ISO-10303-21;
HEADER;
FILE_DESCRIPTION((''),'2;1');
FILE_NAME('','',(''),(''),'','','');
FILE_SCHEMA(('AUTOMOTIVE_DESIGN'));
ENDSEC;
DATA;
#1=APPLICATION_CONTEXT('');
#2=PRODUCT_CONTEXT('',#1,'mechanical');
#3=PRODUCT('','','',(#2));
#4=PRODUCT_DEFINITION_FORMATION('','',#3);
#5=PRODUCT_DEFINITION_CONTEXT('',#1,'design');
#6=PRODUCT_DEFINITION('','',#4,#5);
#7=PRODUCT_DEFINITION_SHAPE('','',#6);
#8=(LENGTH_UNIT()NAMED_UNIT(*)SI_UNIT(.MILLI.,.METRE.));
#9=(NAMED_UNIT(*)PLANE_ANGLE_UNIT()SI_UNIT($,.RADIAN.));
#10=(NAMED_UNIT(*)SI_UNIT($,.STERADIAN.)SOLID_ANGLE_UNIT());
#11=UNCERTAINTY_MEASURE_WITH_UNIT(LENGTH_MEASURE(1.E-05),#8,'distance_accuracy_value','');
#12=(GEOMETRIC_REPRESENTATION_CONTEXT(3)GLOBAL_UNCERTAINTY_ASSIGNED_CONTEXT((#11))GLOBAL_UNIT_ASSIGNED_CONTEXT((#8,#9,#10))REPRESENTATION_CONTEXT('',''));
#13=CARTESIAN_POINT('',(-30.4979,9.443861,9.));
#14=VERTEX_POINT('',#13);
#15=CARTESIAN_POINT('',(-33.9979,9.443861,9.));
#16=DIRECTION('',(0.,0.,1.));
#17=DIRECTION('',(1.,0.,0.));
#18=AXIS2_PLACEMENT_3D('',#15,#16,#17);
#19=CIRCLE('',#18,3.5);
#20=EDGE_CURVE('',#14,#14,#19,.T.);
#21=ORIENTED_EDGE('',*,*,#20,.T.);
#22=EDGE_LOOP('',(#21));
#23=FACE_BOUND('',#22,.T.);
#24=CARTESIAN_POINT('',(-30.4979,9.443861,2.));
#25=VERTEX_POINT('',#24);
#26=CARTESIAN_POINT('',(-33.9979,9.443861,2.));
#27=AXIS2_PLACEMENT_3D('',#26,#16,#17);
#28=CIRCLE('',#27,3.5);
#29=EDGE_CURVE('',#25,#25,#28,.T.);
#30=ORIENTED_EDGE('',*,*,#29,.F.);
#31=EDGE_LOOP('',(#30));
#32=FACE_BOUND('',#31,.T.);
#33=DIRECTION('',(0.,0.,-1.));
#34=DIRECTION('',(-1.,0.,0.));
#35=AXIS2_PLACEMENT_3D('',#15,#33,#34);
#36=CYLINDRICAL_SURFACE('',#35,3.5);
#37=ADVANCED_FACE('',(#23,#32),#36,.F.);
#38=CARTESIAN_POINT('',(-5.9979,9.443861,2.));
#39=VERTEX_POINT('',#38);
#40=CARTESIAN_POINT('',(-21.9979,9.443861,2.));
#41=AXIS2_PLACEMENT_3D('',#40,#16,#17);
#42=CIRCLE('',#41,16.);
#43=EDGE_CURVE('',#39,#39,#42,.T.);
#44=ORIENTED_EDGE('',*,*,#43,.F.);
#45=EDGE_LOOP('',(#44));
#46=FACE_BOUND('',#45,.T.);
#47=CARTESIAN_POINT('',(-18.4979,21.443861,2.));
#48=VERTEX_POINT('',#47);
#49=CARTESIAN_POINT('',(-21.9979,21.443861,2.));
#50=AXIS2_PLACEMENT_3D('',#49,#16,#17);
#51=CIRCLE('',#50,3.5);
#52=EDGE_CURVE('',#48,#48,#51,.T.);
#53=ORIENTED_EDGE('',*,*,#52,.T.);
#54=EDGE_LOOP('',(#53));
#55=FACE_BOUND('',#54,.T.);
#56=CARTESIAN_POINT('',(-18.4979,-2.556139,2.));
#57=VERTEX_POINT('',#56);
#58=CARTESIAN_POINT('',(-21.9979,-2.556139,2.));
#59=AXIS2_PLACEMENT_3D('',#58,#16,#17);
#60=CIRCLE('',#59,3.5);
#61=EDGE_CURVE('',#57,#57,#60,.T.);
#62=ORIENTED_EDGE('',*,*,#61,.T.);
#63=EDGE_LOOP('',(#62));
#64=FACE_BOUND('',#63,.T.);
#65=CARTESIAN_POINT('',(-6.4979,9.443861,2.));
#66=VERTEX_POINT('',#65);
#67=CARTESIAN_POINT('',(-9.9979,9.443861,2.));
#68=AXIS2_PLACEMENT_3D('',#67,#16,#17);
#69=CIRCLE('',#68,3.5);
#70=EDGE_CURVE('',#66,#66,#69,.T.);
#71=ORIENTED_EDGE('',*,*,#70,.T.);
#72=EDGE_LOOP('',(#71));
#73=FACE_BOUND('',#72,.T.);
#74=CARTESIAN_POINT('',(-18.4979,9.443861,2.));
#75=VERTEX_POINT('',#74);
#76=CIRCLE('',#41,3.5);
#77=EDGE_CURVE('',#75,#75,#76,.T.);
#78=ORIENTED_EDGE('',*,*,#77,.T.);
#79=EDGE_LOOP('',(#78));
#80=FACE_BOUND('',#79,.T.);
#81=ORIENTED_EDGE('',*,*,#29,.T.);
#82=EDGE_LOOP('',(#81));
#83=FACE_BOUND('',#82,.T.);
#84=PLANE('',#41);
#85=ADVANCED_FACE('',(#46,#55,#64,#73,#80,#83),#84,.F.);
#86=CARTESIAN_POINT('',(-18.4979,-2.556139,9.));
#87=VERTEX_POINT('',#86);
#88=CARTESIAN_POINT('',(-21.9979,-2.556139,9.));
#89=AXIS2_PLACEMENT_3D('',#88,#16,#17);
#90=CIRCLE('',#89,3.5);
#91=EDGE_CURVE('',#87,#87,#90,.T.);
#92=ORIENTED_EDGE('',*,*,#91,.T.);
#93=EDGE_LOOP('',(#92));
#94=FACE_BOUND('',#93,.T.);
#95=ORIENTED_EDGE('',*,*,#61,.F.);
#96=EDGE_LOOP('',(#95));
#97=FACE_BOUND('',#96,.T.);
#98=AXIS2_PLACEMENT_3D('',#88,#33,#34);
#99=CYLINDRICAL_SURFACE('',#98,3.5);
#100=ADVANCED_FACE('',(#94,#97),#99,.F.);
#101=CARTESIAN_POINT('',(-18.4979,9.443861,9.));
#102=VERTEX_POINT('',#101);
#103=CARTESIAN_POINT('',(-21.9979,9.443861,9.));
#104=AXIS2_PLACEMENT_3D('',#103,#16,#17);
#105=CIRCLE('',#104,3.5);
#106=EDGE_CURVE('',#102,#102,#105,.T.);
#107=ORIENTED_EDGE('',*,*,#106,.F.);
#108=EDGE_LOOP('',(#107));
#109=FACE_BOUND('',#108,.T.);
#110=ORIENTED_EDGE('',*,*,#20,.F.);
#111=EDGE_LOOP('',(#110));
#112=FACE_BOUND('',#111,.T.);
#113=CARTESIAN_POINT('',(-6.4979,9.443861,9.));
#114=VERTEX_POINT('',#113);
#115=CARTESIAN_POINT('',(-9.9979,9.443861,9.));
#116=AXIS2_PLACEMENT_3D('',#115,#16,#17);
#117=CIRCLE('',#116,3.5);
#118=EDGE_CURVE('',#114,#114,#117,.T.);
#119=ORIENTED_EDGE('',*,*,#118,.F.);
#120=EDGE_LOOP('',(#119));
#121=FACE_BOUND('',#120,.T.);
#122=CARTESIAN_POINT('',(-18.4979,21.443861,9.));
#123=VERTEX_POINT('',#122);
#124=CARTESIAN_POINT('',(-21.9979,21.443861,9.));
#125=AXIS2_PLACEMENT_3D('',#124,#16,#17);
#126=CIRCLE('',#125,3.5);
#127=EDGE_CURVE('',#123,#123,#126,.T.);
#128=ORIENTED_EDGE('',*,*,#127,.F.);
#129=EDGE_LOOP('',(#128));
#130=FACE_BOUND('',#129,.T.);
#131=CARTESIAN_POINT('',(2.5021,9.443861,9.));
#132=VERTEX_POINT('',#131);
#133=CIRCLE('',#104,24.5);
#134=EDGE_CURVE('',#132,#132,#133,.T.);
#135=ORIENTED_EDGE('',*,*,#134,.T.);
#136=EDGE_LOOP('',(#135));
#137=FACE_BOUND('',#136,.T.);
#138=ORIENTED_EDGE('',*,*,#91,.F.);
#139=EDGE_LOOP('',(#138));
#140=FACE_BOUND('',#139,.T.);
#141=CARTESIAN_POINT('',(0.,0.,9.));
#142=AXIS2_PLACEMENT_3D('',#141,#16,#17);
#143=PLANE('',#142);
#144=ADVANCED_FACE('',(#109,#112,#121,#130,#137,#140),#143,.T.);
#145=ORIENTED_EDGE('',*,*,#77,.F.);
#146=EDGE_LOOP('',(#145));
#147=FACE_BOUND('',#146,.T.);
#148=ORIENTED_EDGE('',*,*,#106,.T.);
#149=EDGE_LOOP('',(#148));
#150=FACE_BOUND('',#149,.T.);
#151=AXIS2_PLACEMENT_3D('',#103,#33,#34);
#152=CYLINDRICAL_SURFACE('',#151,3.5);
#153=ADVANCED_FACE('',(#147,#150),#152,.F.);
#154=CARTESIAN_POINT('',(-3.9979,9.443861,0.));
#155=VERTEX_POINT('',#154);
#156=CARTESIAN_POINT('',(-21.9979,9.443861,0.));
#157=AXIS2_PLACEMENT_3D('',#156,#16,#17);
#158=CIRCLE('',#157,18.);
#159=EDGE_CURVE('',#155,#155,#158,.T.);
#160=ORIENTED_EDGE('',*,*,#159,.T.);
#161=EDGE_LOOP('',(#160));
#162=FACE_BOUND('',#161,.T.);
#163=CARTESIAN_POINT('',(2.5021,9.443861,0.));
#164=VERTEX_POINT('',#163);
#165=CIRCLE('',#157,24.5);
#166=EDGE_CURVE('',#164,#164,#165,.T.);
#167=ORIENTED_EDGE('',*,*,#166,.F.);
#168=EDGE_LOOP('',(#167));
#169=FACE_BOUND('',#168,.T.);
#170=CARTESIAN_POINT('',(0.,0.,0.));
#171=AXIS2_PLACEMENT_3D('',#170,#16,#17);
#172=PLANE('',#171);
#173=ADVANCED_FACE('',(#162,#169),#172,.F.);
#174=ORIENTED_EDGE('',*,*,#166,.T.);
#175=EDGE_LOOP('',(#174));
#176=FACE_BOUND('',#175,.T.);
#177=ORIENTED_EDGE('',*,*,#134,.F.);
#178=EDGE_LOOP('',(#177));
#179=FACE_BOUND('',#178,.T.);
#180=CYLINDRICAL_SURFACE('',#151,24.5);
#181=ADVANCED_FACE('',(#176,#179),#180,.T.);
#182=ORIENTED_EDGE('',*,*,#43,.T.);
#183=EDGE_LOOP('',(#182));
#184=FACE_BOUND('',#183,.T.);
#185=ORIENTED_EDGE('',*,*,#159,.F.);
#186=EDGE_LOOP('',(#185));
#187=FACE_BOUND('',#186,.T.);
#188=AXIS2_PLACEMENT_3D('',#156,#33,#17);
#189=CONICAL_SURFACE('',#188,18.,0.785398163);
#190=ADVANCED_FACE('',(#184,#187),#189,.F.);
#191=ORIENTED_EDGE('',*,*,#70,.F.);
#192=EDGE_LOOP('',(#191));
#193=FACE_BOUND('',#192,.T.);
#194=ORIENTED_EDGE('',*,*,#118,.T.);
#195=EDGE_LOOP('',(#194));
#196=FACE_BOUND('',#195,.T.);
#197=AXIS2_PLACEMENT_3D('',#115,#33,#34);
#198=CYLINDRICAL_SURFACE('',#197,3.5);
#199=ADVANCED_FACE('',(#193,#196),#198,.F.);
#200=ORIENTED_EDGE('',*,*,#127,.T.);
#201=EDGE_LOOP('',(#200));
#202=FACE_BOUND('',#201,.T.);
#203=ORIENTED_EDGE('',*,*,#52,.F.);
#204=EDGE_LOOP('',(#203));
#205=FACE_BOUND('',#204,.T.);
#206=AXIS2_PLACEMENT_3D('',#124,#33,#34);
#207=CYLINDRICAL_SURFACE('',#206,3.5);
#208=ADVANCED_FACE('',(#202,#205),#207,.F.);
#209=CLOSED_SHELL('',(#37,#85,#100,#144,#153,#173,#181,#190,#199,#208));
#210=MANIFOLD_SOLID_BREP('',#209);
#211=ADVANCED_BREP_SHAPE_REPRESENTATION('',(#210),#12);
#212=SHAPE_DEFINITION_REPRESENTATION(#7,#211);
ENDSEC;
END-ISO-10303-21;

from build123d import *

# Parameters (mm, degrees)
ESBO_O1_R                = 24.5
ESBO_O1_R_2              = 18
ESBO_O1_R_3              = 3.5
RESSALTO_EXTRUS_O1_DEPTH = 9
ESBO_O2_R                = 18
CORTE_EXTRUS_O1_DEPTH    = 2
CORTE_EXTRUS_O1_TAPER    = 45


with BuildPart() as part:
    # Esboço1 → Ressalto-extrusão1 (new body)
    # profile 1 of 2: a face of its own
    with BuildSketch(Plane.XY):
        with Locations((-21.997899875, 9.443861076)):
            Circle(ESBO_O1_R)
        with Locations((-21.997899875, 9.443861076)):
            Circle(ESBO_O1_R_2, mode=Mode.SUBTRACT)
    # profile 2 of 2: a face of its own
    with BuildSketch(Plane.XY):
        with Locations((-21.997899875, 9.443861076)):
            Circle(ESBO_O1_R_2)
        with Locations((-33.997899875, 9.443861076)):
            Circle(ESBO_O1_R_3, mode=Mode.SUBTRACT)
        with Locations((-21.997899875, 21.443861076)):
            Circle(ESBO_O1_R_3, mode=Mode.SUBTRACT)
        with Locations((-9.997899875, 9.443861076)):
            Circle(ESBO_O1_R_3, mode=Mode.SUBTRACT)
        with Locations((-21.997899875, -2.556138924)):
            Circle(ESBO_O1_R_3, mode=Mode.SUBTRACT)
        with Locations((-21.997899875, 9.443861076)):
            Circle(ESBO_O1_R_3, mode=Mode.SUBTRACT)
    extrude(amount=RESSALTO_EXTRUS_O1_DEPTH)

    # Esboço2 → Corte-extrusão1 (cut)
    with BuildSketch(Plane.XY):
        with Locations((-21.997899875, 9.443861076)):
            Circle(ESBO_O2_R)
    extrude(amount=CORTE_EXTRUS_O1_DEPTH, taper=CORTE_EXTRUS_O1_TAPER, mode=Mode.SUBTRACT)


solid = part.part
